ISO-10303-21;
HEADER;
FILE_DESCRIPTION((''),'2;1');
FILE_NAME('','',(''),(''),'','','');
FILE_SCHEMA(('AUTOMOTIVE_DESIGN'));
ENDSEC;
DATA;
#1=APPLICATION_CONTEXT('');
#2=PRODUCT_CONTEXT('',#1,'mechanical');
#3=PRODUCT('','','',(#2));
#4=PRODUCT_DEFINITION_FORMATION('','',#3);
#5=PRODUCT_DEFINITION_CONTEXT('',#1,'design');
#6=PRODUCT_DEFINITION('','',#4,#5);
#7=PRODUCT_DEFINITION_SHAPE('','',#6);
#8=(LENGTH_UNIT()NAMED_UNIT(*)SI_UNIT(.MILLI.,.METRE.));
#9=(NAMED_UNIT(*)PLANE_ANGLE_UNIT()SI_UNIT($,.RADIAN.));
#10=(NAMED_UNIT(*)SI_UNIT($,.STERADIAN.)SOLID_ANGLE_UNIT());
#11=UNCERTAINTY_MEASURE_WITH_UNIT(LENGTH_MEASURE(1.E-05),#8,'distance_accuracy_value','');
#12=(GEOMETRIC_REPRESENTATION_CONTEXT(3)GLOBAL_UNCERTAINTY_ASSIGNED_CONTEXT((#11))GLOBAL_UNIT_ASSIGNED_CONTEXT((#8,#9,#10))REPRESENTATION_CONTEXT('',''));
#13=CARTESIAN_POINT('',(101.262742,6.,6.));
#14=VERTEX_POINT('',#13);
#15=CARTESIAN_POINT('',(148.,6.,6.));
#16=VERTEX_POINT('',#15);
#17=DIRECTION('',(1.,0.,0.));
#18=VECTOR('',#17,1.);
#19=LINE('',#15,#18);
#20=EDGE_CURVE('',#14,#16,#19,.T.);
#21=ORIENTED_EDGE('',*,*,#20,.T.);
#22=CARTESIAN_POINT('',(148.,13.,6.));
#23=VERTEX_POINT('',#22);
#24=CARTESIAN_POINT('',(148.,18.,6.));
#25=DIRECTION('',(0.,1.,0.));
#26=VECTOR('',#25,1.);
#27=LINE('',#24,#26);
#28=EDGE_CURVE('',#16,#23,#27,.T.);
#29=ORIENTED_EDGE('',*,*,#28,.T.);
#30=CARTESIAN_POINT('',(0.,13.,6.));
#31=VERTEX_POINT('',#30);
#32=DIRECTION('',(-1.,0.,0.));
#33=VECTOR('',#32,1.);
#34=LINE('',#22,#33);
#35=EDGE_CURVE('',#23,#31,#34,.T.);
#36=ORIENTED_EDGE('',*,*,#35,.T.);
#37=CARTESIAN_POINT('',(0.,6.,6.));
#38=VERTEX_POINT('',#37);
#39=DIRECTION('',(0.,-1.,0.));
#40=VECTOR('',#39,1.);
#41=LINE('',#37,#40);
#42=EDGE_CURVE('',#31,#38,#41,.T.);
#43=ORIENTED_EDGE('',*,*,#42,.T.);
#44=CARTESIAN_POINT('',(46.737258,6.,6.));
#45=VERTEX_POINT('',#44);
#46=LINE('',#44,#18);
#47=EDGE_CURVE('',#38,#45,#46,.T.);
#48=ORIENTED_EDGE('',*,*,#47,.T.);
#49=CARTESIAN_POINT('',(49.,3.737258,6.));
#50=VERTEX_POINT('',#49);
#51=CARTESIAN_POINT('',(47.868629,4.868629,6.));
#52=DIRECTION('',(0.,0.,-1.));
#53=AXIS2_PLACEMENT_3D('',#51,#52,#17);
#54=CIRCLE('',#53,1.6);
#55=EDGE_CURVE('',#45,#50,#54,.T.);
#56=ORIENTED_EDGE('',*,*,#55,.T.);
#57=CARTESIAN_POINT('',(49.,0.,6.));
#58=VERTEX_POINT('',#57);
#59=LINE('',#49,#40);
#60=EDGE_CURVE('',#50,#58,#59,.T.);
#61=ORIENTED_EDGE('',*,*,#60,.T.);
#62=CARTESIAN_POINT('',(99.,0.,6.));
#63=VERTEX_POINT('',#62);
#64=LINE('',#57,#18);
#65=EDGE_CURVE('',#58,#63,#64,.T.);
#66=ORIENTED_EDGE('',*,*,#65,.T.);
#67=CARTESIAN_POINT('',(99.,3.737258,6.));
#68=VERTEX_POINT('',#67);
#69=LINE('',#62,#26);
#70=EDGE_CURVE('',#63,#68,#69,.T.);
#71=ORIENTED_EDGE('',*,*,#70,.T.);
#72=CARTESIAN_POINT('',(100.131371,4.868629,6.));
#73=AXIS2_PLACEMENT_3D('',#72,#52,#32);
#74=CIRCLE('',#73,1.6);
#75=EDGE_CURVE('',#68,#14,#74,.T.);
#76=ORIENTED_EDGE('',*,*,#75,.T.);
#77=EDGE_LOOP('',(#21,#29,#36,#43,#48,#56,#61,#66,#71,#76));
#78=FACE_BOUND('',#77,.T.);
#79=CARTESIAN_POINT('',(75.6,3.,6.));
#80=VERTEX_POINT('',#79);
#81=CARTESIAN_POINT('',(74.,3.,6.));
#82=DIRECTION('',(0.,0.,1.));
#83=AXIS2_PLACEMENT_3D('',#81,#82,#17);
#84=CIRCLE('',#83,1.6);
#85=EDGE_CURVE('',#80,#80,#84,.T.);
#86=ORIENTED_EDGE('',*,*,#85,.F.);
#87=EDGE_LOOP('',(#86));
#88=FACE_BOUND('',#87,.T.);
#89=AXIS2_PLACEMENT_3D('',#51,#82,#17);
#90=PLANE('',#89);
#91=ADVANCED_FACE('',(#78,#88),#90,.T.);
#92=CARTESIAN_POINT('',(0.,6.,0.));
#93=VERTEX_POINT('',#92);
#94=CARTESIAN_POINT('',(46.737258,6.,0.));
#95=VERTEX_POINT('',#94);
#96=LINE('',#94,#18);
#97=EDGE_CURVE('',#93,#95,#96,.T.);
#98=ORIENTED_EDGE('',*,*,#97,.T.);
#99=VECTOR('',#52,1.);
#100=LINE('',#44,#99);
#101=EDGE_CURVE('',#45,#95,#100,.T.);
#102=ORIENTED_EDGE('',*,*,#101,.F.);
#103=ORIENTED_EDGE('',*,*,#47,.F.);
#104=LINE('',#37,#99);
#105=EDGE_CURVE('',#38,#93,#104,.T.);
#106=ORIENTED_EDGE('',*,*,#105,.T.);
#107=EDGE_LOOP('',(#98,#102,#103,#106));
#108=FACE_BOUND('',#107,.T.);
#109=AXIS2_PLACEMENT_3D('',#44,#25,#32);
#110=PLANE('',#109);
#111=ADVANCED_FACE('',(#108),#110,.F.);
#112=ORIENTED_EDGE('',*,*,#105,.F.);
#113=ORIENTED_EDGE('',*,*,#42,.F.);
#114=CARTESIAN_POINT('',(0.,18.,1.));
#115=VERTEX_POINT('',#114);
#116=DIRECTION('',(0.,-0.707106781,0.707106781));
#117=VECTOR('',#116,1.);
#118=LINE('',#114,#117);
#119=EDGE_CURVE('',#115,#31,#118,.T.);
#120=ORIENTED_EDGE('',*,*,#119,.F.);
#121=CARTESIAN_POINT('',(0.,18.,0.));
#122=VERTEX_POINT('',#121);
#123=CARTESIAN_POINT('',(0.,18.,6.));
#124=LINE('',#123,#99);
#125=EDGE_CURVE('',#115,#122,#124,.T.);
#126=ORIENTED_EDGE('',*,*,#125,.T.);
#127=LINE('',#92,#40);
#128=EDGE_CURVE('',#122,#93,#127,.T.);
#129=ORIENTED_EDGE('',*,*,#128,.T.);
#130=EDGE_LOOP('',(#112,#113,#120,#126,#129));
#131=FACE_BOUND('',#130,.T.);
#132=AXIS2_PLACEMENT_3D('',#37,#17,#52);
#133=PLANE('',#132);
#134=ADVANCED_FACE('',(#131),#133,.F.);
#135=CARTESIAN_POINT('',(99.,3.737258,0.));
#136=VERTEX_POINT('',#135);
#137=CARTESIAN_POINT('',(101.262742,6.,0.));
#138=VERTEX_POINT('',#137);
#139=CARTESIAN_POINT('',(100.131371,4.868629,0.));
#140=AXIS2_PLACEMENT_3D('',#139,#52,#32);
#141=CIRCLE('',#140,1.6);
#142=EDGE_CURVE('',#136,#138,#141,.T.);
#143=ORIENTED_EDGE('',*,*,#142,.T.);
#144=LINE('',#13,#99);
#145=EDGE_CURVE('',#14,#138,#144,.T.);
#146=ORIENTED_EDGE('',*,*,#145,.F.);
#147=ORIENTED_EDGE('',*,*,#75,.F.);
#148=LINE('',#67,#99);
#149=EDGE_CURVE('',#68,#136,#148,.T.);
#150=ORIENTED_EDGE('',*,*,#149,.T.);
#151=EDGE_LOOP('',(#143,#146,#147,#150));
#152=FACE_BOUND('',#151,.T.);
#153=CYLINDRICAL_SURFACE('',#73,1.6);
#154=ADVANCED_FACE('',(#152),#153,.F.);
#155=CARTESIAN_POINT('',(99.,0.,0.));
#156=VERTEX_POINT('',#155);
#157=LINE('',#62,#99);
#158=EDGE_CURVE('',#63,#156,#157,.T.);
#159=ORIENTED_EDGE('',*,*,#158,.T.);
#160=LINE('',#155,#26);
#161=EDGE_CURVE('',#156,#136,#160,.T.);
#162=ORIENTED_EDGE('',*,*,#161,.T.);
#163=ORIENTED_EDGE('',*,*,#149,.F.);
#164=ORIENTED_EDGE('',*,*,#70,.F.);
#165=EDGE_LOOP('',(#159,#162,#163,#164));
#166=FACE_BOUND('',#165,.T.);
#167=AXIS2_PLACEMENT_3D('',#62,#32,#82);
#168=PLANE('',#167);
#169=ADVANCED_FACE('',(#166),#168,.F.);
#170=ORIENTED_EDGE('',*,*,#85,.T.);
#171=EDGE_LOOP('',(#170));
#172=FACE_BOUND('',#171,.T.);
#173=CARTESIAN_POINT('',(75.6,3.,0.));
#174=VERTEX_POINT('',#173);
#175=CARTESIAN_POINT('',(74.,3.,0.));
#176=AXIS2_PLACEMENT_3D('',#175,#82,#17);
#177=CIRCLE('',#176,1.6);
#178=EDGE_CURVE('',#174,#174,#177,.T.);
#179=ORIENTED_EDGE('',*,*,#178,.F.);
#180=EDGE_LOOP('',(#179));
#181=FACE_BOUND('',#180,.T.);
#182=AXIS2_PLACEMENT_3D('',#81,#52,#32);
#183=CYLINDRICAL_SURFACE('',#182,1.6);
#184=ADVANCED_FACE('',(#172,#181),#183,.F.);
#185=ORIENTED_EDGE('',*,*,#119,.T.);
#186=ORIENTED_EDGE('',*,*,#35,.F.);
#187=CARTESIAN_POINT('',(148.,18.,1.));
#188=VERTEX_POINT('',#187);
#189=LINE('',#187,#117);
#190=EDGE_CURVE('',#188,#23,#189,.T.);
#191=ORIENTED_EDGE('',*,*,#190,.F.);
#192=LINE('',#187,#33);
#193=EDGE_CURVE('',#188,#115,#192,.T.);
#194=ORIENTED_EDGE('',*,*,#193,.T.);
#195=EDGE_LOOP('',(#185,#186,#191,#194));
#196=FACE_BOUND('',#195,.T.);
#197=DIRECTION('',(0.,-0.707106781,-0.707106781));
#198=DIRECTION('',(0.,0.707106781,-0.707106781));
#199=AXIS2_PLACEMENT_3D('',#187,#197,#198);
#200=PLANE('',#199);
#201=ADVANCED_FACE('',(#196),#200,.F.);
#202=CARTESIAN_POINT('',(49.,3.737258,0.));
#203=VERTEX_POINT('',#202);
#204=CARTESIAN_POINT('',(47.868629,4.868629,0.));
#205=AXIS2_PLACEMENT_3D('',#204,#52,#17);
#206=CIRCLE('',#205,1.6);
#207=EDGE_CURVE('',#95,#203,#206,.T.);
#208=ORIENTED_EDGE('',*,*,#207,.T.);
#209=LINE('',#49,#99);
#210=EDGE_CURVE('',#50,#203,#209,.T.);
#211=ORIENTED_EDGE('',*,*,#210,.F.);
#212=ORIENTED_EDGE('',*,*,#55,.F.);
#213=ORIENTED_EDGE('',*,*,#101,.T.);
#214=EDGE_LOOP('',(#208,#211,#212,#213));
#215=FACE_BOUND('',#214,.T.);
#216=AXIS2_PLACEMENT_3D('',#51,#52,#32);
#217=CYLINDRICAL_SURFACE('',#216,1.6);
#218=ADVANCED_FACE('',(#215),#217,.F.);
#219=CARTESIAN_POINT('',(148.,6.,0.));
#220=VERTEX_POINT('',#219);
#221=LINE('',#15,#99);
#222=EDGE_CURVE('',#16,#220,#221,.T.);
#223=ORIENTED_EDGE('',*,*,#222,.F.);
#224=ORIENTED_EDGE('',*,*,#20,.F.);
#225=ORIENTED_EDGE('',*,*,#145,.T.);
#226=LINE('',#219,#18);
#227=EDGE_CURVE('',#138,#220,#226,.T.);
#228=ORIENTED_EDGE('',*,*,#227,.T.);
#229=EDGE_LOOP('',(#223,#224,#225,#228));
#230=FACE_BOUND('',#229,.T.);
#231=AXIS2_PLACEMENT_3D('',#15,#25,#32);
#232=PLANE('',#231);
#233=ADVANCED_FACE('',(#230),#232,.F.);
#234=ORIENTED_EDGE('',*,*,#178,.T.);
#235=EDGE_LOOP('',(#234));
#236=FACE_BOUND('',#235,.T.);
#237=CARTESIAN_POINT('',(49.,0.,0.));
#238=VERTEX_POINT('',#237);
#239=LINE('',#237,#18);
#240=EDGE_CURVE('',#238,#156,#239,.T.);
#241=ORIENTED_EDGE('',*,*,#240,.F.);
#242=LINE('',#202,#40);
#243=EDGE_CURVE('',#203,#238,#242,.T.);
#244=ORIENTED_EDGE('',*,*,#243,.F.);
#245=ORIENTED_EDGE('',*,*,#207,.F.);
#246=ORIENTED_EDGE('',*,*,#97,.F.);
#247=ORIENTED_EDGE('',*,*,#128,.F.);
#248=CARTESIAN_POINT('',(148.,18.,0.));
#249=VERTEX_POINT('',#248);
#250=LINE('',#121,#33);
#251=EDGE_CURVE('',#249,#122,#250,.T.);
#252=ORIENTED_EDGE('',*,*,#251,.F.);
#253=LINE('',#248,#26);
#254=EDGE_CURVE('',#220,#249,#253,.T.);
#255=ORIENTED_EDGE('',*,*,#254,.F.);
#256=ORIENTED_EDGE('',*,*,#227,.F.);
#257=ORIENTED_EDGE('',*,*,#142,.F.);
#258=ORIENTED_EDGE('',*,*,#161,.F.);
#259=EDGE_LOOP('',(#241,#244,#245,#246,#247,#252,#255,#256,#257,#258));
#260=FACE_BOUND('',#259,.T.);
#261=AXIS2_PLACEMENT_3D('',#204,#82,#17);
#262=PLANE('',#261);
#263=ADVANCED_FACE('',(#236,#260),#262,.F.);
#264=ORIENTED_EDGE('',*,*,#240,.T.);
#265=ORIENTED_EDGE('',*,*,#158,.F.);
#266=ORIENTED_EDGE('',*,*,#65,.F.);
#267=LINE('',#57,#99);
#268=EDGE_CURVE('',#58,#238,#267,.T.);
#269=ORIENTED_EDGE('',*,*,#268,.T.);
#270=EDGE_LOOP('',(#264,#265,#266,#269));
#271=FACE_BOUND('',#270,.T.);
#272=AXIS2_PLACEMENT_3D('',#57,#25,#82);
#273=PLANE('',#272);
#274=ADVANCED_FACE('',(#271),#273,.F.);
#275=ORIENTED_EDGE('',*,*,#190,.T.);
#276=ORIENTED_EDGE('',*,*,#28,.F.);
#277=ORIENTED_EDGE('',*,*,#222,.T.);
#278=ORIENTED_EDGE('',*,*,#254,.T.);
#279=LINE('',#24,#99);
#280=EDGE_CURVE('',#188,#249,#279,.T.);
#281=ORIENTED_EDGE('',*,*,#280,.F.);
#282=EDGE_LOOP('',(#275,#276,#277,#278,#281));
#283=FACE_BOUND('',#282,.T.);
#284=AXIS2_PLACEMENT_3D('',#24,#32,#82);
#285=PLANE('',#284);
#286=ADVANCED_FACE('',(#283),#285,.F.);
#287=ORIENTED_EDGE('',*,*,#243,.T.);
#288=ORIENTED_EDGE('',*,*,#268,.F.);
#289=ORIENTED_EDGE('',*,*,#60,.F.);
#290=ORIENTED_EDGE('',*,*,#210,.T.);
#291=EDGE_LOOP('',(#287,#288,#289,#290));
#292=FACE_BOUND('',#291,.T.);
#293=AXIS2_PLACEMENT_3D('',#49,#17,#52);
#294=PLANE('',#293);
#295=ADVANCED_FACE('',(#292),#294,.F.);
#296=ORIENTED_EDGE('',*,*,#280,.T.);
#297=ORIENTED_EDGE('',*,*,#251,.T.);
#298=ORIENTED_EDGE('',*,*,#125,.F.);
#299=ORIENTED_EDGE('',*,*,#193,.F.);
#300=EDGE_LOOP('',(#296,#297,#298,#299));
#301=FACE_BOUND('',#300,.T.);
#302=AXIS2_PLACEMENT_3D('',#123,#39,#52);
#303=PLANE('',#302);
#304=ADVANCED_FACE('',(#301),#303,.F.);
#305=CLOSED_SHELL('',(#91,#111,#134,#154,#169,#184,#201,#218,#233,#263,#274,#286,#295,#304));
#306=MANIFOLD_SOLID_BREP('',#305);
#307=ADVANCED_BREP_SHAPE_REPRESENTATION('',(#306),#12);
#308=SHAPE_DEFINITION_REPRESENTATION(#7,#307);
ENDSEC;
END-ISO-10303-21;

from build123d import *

# Parameters (mm, degrees)
ESQUISSE1_R             = 1.6
BOSS_EXTRU_1_DEPTH      = 6
ENL_V_MAT_EXTRU_1_DEPTH = 149


with BuildPart() as part:
    # Esquisse1 → Boss.-Extru.1 (new body)
    with BuildSketch(Plane.XY):
        with BuildLine():
            Line((49, 3.7372583), (49, 0))
            Line((49, 0), (99, 0))
            Line((99, 0), (99, 3.7372583))
            ThreePointArc((99, 3.7372583), (99, 6), (101.2627417, 6))
            Line((101.2627417, 6), (148, 6))
            Line((148, 6), (148, 18))
            Line((148, 18), (0, 18))
            Line((0, 18), (0, 6))
            Line((0, 6), (46.7372583, 6))
            ThreePointArc((46.7372583, 6), (49, 6), (49, 3.7372583))
        make_face()
        with Locations((74, 3)):
            Circle(ESQUISSE1_R, mode=Mode.SUBTRACT)
    extrude(amount=BOSS_EXTRU_1_DEPTH)

    # Esquisse2 → Enlèv. mat.-Extru.1 (cut, through all)
    with BuildSketch(Plane.ZY):
        Polygon((1, 18), (6, 13), (6, 18), align=None)
    extrude(amount=-ENL_V_MAT_EXTRU_1_DEPTH, mode=Mode.SUBTRACT)


solid = part.part
